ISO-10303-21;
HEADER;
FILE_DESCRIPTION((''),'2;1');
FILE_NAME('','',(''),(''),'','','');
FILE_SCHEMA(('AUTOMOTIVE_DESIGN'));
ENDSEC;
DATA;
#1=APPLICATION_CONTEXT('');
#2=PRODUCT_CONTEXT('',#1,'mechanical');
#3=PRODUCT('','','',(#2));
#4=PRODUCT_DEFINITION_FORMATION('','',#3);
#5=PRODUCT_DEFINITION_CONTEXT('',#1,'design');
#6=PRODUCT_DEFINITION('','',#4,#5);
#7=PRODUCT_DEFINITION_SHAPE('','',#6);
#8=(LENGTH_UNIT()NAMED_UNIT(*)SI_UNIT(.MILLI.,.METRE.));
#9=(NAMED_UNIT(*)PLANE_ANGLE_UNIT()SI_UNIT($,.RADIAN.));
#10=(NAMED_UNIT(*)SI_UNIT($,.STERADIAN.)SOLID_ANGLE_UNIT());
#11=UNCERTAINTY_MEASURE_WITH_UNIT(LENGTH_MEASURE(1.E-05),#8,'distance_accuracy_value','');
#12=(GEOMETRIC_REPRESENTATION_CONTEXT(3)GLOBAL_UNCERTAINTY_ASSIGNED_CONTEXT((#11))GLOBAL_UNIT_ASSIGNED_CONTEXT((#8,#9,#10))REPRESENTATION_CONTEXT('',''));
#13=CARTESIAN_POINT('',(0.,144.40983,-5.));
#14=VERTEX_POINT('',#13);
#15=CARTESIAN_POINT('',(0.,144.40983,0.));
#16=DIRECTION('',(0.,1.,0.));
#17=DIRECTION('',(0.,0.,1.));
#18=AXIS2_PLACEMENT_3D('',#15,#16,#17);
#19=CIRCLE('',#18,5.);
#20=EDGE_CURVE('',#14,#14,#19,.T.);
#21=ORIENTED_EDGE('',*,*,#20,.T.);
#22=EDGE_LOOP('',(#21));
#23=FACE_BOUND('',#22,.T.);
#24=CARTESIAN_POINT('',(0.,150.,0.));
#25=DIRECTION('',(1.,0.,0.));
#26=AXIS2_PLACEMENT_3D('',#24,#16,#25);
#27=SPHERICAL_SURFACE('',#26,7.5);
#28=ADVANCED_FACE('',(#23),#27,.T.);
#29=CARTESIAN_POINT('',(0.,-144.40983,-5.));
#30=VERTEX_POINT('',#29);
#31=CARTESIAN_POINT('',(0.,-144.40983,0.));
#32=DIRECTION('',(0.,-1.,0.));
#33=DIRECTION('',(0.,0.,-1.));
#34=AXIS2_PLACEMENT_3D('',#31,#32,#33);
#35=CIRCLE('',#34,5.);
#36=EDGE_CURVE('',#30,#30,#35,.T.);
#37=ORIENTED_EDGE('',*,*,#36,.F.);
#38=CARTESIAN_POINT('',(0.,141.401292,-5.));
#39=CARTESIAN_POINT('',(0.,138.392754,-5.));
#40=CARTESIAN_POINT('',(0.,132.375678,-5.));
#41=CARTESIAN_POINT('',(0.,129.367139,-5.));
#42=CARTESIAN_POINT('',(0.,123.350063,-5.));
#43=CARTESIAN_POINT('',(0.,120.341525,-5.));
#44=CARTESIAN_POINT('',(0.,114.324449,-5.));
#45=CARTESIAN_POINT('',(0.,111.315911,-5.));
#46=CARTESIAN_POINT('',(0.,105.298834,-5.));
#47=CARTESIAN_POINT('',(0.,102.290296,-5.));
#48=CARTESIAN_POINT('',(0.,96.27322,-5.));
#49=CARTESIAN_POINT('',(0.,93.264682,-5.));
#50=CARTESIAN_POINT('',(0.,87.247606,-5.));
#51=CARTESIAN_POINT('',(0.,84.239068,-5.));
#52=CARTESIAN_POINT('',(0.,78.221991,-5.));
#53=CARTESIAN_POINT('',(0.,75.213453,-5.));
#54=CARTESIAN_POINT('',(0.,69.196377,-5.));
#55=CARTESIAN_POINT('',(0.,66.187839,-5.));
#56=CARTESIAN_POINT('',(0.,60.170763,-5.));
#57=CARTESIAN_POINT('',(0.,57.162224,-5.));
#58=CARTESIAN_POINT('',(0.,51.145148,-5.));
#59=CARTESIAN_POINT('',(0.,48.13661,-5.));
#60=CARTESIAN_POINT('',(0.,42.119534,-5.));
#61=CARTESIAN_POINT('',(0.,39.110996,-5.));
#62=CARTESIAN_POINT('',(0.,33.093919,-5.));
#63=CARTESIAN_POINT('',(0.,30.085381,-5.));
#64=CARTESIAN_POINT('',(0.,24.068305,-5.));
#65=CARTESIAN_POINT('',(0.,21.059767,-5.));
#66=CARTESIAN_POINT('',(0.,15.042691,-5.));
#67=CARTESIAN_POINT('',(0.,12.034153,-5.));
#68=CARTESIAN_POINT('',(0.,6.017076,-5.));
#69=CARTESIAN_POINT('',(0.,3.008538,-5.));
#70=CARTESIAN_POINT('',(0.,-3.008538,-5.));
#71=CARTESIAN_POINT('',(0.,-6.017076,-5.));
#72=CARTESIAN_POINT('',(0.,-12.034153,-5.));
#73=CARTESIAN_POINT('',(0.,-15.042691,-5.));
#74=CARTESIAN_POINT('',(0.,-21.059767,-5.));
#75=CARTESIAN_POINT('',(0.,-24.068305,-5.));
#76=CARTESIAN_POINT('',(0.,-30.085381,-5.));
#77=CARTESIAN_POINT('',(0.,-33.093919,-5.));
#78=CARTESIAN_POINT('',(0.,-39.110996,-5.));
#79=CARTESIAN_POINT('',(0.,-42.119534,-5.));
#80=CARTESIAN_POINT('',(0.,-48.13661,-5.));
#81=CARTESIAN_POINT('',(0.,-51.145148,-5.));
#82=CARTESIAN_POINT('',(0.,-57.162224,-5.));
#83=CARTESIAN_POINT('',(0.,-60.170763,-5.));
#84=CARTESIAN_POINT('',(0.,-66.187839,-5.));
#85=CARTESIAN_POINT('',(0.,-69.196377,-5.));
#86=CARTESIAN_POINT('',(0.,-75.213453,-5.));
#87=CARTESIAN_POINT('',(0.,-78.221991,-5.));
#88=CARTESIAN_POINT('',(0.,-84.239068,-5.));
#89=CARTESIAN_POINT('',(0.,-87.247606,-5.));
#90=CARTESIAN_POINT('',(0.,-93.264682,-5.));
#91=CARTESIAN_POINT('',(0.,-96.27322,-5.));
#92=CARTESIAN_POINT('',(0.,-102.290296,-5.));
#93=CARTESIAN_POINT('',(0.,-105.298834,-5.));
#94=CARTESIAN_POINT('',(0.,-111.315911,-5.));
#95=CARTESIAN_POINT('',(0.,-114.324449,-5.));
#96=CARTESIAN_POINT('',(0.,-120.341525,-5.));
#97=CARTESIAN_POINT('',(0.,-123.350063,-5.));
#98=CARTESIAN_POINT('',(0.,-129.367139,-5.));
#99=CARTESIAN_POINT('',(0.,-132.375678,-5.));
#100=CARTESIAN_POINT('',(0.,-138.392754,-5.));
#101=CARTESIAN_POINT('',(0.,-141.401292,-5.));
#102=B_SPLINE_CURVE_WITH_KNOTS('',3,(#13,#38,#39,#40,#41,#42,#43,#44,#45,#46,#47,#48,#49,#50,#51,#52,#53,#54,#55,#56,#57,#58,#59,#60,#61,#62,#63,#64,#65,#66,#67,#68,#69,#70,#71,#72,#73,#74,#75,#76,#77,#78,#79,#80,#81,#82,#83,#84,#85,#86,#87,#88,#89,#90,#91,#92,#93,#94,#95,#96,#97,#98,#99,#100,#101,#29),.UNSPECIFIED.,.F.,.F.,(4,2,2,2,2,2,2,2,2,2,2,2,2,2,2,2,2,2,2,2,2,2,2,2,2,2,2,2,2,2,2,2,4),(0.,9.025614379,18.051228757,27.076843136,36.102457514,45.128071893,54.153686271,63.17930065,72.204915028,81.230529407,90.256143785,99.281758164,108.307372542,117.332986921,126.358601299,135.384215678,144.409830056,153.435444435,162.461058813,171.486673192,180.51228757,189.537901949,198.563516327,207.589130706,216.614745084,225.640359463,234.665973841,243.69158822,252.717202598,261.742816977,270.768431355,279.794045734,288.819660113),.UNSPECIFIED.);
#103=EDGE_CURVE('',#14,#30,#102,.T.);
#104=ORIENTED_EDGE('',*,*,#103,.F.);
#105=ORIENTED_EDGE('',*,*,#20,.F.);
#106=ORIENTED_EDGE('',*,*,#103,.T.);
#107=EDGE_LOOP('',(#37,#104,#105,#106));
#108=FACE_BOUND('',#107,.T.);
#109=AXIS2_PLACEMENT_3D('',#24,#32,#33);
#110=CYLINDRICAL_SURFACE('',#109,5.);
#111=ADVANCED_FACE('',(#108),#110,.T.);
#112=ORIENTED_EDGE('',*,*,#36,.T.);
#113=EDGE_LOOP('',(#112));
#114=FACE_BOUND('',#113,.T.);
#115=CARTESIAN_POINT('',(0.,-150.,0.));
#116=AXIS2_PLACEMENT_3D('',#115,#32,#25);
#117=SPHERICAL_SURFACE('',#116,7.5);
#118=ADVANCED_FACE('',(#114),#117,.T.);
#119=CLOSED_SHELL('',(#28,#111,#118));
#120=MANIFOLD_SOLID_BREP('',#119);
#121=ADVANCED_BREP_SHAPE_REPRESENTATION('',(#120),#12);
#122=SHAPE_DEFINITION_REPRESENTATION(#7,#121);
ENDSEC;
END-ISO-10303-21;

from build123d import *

# Parameters (mm, degrees)
SKETCH_2_R      = 5
EXTRUDE_1_DEPTH = 150


with BuildPart() as part:
    # 草图2 → 凸台-拉伸1 (new, symmetric)
    with BuildSketch(Plane(origin=(0, 0, 0), x_dir=(1, 0, 0), z_dir=(0, 1, 0))):
        with Locations(Location((0, 0, 0), (0, 0, 270))):
            Circle(SKETCH_2_R)
    extrude(amount=EXTRUDE_1_DEPTH, both=True)

    # 草图3 → 旋转1 (revolve)
    with BuildSketch(Plane.XY):
        with BuildLine():
            Line((0, 157.5), (0, 142.5))
            ThreePointArc((0, 142.5), (7.5, 150), (0, 157.5))
        make_face()
    revolve_1 = revolve(axis=Axis((0, 157.5, 0), (0, -1, 0)))

    # 镜向1: 旋转1 across plane
    add(revolve_1.mirror(Plane.ZX))


solid = part.part
